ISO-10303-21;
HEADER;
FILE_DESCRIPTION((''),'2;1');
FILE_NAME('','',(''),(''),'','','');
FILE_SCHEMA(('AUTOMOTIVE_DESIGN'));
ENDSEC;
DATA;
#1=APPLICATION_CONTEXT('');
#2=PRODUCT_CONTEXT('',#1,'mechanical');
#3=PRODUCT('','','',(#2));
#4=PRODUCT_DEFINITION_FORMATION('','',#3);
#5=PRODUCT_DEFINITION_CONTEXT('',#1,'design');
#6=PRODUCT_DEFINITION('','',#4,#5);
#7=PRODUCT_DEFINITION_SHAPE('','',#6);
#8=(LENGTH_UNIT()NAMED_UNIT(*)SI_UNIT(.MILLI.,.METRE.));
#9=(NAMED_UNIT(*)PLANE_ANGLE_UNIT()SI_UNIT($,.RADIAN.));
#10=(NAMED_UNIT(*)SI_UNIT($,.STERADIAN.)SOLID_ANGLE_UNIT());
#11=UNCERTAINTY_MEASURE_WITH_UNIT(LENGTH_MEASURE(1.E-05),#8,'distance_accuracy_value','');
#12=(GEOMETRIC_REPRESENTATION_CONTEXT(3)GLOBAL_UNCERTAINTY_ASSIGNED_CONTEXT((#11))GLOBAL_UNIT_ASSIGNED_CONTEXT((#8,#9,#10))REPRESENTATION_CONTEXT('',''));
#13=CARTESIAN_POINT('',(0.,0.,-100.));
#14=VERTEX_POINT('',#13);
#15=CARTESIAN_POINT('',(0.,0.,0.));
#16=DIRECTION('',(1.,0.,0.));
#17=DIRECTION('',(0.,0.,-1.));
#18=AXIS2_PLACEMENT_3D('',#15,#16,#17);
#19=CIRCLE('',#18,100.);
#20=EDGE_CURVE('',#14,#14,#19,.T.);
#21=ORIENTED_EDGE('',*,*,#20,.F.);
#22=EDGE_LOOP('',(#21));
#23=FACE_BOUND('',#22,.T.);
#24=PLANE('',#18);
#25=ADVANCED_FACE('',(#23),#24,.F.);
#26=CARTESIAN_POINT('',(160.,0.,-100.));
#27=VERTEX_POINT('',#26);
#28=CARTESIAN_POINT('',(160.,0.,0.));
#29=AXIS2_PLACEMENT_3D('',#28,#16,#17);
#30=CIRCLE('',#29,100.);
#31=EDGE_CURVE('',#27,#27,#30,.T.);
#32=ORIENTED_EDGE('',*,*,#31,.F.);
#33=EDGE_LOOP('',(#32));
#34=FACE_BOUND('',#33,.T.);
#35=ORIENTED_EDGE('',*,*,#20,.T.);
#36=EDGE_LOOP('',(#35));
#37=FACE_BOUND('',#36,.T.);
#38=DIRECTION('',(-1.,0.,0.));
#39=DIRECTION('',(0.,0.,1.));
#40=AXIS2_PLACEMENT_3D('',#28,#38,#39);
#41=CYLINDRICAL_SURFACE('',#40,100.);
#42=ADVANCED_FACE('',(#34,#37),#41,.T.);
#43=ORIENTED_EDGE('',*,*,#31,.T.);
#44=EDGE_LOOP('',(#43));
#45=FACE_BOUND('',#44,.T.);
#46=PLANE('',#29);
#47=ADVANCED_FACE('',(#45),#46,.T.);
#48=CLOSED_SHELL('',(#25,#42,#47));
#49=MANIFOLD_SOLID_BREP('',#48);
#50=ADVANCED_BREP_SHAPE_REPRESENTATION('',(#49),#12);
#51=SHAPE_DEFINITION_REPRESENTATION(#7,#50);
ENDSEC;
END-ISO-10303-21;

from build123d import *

# Parameters (mm, degrees)
SKIZZE2_R                       = 100
AUFSATZ_LINEAR_AUSTRAGEN1_DEPTH = 160


with BuildPart() as part:
    # Skizze2 → Aufsatz-Linear austragen1 (new body)
    with BuildSketch(Plane(origin=(0, 0, 0), x_dir=(0, 0, -1), z_dir=(1, 0, 0))):
        Circle(SKIZZE2_R)
    extrude(amount=AUFSATZ_LINEAR_AUSTRAGEN1_DEPTH)


solid = part.part
